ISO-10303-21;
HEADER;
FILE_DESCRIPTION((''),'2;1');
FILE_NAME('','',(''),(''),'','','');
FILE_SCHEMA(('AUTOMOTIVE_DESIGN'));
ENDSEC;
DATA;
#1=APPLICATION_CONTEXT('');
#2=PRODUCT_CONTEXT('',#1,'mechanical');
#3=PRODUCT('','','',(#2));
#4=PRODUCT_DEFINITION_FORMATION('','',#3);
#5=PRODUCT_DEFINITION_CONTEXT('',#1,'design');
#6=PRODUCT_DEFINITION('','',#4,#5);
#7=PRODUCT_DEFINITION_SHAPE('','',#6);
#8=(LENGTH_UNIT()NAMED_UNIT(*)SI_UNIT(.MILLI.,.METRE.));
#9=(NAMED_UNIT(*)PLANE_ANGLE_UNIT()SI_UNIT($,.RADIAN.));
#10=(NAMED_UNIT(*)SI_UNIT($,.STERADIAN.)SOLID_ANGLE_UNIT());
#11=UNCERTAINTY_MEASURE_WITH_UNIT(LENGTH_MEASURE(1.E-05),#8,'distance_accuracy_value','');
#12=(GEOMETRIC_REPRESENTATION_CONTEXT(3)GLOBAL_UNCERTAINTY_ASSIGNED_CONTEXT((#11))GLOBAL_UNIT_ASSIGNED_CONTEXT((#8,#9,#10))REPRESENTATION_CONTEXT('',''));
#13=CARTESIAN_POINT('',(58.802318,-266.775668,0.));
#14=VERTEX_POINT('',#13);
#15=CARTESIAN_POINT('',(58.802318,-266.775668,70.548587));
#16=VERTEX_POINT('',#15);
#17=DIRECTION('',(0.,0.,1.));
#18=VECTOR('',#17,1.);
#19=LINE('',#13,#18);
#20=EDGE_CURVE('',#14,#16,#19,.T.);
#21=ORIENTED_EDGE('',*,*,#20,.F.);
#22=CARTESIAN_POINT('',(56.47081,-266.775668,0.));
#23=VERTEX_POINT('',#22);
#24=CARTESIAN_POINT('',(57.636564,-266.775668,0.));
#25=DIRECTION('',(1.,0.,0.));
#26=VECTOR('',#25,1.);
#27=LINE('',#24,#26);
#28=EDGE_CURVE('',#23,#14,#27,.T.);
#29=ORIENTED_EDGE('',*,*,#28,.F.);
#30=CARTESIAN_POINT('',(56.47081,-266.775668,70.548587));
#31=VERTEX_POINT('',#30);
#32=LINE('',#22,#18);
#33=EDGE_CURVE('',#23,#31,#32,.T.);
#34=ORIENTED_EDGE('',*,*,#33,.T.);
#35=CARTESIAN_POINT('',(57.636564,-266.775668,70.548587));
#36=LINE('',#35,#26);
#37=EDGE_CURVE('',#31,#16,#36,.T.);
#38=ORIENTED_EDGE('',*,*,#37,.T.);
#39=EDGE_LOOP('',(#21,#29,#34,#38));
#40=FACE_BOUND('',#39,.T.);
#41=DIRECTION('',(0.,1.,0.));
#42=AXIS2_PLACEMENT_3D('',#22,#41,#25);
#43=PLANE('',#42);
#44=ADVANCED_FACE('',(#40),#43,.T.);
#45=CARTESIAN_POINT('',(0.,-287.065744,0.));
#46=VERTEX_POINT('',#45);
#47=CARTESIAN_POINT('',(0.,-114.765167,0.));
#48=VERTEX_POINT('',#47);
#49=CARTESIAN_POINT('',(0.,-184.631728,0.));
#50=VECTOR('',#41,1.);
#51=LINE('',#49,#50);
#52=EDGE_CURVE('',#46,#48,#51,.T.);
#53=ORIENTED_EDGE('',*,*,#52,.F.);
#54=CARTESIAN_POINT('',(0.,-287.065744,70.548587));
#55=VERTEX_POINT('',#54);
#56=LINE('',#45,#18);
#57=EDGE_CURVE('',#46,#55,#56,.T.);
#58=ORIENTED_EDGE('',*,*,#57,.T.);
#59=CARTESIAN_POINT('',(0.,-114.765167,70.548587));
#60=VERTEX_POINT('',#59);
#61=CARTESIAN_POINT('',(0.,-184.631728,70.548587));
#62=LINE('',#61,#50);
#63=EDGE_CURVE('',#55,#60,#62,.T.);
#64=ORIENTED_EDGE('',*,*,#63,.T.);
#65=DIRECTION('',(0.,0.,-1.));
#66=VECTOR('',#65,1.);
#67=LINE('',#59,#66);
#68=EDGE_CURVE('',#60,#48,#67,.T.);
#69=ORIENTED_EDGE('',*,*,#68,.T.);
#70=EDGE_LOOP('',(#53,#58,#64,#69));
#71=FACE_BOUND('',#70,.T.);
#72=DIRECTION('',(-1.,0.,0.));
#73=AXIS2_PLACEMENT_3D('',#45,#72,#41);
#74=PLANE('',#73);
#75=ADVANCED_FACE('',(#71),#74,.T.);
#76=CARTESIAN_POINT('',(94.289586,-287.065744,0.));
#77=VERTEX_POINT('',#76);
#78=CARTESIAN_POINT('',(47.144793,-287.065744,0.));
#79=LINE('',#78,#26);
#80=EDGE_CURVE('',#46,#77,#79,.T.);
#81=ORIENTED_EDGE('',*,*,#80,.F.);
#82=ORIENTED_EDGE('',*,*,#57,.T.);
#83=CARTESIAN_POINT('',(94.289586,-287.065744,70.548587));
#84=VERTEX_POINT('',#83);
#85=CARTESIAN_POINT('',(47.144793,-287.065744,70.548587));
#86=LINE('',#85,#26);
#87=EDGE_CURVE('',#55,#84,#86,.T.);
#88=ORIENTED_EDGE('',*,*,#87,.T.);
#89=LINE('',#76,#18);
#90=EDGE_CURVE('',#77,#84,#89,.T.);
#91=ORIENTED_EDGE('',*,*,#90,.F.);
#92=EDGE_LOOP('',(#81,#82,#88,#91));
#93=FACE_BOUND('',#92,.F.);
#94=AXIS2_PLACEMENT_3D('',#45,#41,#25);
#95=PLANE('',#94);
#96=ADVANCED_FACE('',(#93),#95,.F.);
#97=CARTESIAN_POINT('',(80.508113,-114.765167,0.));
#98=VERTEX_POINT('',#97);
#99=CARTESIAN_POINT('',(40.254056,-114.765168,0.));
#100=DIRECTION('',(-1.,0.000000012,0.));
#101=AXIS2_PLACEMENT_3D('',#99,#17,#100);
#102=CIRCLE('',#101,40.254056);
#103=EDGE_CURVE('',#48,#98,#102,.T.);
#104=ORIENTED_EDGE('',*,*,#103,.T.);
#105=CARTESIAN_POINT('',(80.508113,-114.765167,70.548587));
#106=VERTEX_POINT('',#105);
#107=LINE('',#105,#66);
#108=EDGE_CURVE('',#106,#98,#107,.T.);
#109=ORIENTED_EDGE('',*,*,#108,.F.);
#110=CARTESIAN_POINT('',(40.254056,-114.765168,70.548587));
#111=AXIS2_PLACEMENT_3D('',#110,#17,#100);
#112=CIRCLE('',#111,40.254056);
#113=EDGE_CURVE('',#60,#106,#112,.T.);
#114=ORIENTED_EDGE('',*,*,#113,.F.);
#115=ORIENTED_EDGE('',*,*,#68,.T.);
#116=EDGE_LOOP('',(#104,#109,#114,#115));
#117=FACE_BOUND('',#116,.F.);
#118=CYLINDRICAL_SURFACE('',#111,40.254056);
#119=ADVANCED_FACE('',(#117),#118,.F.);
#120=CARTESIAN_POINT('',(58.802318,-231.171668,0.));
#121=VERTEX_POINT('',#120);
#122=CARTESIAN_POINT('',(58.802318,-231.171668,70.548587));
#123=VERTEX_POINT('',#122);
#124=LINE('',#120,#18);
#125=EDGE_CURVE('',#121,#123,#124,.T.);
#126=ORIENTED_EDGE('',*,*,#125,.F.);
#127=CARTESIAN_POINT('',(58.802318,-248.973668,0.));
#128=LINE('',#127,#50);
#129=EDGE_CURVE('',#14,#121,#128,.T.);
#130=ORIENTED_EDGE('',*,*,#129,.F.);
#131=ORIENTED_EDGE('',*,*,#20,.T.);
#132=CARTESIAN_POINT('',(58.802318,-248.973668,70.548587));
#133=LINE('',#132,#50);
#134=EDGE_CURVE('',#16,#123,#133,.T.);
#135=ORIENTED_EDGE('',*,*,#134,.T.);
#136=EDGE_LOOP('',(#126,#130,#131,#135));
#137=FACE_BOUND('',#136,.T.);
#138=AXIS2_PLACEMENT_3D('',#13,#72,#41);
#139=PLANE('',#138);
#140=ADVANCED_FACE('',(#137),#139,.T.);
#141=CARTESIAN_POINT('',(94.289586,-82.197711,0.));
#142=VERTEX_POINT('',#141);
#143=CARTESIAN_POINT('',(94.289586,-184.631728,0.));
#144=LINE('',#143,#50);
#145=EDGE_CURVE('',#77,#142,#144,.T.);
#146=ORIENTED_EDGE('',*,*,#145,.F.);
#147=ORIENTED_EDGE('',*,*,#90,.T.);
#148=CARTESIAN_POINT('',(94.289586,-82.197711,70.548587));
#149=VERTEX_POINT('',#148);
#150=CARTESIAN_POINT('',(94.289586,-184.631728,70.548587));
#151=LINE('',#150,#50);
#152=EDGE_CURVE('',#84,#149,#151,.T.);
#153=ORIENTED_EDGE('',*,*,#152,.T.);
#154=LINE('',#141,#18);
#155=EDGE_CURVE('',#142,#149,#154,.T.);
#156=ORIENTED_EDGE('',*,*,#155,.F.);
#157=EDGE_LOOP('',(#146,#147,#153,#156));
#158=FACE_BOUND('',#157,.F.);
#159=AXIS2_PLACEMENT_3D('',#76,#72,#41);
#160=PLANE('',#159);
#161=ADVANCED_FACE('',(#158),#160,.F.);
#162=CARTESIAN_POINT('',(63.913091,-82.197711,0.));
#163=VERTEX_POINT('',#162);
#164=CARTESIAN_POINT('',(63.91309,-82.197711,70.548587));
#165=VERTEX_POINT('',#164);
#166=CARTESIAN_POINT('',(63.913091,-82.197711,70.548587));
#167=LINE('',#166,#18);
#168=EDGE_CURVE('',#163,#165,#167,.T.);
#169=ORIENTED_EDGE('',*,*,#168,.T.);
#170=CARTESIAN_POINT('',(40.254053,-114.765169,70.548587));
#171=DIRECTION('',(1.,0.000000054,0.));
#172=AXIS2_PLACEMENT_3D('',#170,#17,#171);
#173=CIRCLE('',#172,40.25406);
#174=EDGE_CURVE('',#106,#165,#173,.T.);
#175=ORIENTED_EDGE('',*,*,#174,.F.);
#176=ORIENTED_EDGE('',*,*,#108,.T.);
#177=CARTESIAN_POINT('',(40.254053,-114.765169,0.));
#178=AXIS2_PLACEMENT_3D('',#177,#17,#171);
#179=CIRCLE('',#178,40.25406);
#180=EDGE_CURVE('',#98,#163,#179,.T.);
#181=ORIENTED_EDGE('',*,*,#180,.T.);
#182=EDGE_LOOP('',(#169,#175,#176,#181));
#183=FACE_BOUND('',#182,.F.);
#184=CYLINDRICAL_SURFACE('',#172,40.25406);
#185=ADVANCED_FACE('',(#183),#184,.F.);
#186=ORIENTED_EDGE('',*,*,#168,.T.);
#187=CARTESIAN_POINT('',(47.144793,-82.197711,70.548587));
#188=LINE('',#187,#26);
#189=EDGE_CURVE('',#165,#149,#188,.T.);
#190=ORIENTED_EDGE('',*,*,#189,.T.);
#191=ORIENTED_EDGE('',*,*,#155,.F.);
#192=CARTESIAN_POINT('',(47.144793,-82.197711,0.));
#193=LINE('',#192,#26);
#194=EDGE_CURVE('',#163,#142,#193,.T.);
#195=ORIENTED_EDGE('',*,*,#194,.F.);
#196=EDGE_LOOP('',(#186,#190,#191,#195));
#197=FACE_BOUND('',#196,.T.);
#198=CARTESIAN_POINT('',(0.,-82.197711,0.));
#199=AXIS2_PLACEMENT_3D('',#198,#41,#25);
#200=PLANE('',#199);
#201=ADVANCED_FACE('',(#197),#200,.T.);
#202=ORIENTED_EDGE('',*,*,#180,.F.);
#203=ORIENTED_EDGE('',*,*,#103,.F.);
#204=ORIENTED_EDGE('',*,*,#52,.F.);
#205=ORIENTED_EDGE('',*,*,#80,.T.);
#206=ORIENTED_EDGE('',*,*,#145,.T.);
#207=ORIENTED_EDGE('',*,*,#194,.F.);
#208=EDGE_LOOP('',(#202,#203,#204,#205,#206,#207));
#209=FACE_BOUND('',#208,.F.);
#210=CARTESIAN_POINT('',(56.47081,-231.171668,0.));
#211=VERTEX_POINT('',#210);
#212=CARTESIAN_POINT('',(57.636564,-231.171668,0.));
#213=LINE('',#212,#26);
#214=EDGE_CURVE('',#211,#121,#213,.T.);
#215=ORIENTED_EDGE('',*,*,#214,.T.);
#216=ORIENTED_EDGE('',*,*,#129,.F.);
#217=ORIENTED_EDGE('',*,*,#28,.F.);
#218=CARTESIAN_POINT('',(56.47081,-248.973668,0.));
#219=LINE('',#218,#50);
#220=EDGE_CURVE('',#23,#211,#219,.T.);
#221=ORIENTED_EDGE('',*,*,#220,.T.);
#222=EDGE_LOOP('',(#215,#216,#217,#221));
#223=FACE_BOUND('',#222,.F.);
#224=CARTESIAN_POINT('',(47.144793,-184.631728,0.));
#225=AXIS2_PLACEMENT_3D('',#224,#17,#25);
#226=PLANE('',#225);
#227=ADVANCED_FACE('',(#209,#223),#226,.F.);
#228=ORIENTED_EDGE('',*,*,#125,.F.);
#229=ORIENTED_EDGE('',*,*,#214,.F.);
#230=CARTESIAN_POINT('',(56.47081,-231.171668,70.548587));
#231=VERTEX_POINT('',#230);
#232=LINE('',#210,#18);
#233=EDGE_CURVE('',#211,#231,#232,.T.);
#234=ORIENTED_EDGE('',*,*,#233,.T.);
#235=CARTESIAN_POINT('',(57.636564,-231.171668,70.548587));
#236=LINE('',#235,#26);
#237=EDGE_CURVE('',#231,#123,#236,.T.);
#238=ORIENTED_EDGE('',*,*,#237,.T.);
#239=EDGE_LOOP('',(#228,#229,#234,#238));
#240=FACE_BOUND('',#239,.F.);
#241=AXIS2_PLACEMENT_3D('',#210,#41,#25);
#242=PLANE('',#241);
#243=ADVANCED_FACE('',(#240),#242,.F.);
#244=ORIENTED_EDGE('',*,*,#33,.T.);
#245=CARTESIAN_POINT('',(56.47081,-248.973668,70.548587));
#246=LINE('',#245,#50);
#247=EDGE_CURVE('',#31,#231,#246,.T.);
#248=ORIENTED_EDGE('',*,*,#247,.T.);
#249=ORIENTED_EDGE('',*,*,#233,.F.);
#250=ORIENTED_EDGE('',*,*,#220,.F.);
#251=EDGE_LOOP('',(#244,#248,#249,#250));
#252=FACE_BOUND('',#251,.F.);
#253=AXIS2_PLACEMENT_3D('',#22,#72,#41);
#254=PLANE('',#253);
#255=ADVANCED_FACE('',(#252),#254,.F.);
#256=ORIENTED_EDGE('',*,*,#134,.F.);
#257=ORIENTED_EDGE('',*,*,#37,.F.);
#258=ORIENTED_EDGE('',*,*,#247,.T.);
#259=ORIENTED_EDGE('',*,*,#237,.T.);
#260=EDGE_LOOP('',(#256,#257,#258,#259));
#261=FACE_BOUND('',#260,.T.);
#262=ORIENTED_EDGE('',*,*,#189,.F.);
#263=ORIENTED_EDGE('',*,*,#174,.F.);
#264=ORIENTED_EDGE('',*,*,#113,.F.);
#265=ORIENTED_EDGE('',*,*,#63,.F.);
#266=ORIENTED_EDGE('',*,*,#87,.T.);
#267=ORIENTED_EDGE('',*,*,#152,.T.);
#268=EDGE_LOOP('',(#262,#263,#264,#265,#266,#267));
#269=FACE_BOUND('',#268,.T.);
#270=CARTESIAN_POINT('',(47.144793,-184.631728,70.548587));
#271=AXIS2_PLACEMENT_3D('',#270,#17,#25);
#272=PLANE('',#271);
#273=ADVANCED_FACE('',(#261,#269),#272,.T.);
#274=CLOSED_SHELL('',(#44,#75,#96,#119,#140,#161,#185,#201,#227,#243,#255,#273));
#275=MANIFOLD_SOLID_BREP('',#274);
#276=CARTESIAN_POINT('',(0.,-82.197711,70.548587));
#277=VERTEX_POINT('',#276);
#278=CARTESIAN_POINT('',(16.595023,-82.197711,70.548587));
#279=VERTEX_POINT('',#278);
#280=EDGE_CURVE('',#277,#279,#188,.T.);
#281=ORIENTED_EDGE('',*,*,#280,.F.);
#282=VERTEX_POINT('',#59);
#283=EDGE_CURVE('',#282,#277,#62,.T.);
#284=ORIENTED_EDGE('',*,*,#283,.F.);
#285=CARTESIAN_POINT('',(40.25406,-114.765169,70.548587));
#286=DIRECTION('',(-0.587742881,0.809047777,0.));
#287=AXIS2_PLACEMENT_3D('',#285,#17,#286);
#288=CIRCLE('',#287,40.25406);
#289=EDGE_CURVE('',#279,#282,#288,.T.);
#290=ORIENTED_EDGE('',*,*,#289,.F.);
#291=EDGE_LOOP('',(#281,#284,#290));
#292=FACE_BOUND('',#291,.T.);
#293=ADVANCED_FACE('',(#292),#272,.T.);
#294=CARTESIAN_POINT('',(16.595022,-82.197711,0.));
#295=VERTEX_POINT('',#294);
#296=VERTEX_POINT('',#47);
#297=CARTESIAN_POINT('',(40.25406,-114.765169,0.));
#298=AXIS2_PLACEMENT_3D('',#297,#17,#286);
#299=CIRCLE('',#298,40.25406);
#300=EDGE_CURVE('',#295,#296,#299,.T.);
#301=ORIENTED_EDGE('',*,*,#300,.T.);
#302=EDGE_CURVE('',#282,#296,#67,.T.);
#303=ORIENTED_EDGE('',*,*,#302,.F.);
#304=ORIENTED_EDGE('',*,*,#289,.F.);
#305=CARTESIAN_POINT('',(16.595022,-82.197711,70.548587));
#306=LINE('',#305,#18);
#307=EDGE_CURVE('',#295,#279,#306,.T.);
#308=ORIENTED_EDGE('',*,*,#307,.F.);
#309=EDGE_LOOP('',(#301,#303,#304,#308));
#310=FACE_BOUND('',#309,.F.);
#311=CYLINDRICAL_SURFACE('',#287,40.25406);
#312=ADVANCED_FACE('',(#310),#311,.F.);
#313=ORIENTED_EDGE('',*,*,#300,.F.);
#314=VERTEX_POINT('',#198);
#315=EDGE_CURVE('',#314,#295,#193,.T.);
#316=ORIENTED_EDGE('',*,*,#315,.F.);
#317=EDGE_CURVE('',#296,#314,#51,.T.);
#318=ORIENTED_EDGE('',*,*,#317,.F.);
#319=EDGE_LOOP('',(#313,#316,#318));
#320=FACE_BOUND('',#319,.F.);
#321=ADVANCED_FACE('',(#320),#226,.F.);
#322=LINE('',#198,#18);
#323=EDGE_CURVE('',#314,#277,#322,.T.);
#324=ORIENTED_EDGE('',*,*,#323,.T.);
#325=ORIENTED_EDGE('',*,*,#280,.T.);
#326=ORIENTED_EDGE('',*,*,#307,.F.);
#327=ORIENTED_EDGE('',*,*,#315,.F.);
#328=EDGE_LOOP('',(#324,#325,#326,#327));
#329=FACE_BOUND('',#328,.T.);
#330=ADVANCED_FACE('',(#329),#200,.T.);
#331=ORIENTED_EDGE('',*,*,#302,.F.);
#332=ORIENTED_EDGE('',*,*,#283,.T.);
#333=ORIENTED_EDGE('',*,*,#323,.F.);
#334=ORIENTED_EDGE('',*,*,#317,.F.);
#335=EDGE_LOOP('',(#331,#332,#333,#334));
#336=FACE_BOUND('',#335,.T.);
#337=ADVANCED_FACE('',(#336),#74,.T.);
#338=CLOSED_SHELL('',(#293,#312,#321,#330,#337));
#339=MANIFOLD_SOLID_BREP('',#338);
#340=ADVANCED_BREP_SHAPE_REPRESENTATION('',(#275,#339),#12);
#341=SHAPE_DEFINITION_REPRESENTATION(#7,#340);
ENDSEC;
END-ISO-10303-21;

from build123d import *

# Parameters (mm, degrees)
F0_W     = 94.289586
F0_H     = 204.868033
F0_W_2   = 2.331507
F0_H_2   = 35.604
F1_DEPTH = 70.548587
F3_DEPTH = 90.976335


with BuildPart() as f1:
    # F0 (on Top) → F1 (new body)
    with BuildSketch(Plane.XY):
        with Locations((47.144793, -184.631728)):
            Rectangle(F0_W, F0_H)
        with Locations((57.636564, -248.973668)):
            Rectangle(F0_W_2, F0_H_2, mode=Mode.SUBTRACT)
    extrude(amount=F1_DEPTH)

    # F2 (on face) → F3 (cut)
    with BuildSketch(Plane.XY.offset(70.548587)):
        with BuildLine():
            ThreePointArc((0, -114.765167), (40.254056, -155.019224), (80.508113, -114.765167))
            ThreePointArc((80.508113, -114.765167), (76.120204, -96.489268), (63.91309, -82.197711))
            Line((63.91309, -82.197711), (16.595023, -82.197711))
            ThreePointArc((16.595023, -82.197711), (4.387909, -96.489268), (0, -114.765167))
        make_face()
    extrude(amount=-F3_DEPTH, mode=Mode.SUBTRACT)


solid = f1.part
